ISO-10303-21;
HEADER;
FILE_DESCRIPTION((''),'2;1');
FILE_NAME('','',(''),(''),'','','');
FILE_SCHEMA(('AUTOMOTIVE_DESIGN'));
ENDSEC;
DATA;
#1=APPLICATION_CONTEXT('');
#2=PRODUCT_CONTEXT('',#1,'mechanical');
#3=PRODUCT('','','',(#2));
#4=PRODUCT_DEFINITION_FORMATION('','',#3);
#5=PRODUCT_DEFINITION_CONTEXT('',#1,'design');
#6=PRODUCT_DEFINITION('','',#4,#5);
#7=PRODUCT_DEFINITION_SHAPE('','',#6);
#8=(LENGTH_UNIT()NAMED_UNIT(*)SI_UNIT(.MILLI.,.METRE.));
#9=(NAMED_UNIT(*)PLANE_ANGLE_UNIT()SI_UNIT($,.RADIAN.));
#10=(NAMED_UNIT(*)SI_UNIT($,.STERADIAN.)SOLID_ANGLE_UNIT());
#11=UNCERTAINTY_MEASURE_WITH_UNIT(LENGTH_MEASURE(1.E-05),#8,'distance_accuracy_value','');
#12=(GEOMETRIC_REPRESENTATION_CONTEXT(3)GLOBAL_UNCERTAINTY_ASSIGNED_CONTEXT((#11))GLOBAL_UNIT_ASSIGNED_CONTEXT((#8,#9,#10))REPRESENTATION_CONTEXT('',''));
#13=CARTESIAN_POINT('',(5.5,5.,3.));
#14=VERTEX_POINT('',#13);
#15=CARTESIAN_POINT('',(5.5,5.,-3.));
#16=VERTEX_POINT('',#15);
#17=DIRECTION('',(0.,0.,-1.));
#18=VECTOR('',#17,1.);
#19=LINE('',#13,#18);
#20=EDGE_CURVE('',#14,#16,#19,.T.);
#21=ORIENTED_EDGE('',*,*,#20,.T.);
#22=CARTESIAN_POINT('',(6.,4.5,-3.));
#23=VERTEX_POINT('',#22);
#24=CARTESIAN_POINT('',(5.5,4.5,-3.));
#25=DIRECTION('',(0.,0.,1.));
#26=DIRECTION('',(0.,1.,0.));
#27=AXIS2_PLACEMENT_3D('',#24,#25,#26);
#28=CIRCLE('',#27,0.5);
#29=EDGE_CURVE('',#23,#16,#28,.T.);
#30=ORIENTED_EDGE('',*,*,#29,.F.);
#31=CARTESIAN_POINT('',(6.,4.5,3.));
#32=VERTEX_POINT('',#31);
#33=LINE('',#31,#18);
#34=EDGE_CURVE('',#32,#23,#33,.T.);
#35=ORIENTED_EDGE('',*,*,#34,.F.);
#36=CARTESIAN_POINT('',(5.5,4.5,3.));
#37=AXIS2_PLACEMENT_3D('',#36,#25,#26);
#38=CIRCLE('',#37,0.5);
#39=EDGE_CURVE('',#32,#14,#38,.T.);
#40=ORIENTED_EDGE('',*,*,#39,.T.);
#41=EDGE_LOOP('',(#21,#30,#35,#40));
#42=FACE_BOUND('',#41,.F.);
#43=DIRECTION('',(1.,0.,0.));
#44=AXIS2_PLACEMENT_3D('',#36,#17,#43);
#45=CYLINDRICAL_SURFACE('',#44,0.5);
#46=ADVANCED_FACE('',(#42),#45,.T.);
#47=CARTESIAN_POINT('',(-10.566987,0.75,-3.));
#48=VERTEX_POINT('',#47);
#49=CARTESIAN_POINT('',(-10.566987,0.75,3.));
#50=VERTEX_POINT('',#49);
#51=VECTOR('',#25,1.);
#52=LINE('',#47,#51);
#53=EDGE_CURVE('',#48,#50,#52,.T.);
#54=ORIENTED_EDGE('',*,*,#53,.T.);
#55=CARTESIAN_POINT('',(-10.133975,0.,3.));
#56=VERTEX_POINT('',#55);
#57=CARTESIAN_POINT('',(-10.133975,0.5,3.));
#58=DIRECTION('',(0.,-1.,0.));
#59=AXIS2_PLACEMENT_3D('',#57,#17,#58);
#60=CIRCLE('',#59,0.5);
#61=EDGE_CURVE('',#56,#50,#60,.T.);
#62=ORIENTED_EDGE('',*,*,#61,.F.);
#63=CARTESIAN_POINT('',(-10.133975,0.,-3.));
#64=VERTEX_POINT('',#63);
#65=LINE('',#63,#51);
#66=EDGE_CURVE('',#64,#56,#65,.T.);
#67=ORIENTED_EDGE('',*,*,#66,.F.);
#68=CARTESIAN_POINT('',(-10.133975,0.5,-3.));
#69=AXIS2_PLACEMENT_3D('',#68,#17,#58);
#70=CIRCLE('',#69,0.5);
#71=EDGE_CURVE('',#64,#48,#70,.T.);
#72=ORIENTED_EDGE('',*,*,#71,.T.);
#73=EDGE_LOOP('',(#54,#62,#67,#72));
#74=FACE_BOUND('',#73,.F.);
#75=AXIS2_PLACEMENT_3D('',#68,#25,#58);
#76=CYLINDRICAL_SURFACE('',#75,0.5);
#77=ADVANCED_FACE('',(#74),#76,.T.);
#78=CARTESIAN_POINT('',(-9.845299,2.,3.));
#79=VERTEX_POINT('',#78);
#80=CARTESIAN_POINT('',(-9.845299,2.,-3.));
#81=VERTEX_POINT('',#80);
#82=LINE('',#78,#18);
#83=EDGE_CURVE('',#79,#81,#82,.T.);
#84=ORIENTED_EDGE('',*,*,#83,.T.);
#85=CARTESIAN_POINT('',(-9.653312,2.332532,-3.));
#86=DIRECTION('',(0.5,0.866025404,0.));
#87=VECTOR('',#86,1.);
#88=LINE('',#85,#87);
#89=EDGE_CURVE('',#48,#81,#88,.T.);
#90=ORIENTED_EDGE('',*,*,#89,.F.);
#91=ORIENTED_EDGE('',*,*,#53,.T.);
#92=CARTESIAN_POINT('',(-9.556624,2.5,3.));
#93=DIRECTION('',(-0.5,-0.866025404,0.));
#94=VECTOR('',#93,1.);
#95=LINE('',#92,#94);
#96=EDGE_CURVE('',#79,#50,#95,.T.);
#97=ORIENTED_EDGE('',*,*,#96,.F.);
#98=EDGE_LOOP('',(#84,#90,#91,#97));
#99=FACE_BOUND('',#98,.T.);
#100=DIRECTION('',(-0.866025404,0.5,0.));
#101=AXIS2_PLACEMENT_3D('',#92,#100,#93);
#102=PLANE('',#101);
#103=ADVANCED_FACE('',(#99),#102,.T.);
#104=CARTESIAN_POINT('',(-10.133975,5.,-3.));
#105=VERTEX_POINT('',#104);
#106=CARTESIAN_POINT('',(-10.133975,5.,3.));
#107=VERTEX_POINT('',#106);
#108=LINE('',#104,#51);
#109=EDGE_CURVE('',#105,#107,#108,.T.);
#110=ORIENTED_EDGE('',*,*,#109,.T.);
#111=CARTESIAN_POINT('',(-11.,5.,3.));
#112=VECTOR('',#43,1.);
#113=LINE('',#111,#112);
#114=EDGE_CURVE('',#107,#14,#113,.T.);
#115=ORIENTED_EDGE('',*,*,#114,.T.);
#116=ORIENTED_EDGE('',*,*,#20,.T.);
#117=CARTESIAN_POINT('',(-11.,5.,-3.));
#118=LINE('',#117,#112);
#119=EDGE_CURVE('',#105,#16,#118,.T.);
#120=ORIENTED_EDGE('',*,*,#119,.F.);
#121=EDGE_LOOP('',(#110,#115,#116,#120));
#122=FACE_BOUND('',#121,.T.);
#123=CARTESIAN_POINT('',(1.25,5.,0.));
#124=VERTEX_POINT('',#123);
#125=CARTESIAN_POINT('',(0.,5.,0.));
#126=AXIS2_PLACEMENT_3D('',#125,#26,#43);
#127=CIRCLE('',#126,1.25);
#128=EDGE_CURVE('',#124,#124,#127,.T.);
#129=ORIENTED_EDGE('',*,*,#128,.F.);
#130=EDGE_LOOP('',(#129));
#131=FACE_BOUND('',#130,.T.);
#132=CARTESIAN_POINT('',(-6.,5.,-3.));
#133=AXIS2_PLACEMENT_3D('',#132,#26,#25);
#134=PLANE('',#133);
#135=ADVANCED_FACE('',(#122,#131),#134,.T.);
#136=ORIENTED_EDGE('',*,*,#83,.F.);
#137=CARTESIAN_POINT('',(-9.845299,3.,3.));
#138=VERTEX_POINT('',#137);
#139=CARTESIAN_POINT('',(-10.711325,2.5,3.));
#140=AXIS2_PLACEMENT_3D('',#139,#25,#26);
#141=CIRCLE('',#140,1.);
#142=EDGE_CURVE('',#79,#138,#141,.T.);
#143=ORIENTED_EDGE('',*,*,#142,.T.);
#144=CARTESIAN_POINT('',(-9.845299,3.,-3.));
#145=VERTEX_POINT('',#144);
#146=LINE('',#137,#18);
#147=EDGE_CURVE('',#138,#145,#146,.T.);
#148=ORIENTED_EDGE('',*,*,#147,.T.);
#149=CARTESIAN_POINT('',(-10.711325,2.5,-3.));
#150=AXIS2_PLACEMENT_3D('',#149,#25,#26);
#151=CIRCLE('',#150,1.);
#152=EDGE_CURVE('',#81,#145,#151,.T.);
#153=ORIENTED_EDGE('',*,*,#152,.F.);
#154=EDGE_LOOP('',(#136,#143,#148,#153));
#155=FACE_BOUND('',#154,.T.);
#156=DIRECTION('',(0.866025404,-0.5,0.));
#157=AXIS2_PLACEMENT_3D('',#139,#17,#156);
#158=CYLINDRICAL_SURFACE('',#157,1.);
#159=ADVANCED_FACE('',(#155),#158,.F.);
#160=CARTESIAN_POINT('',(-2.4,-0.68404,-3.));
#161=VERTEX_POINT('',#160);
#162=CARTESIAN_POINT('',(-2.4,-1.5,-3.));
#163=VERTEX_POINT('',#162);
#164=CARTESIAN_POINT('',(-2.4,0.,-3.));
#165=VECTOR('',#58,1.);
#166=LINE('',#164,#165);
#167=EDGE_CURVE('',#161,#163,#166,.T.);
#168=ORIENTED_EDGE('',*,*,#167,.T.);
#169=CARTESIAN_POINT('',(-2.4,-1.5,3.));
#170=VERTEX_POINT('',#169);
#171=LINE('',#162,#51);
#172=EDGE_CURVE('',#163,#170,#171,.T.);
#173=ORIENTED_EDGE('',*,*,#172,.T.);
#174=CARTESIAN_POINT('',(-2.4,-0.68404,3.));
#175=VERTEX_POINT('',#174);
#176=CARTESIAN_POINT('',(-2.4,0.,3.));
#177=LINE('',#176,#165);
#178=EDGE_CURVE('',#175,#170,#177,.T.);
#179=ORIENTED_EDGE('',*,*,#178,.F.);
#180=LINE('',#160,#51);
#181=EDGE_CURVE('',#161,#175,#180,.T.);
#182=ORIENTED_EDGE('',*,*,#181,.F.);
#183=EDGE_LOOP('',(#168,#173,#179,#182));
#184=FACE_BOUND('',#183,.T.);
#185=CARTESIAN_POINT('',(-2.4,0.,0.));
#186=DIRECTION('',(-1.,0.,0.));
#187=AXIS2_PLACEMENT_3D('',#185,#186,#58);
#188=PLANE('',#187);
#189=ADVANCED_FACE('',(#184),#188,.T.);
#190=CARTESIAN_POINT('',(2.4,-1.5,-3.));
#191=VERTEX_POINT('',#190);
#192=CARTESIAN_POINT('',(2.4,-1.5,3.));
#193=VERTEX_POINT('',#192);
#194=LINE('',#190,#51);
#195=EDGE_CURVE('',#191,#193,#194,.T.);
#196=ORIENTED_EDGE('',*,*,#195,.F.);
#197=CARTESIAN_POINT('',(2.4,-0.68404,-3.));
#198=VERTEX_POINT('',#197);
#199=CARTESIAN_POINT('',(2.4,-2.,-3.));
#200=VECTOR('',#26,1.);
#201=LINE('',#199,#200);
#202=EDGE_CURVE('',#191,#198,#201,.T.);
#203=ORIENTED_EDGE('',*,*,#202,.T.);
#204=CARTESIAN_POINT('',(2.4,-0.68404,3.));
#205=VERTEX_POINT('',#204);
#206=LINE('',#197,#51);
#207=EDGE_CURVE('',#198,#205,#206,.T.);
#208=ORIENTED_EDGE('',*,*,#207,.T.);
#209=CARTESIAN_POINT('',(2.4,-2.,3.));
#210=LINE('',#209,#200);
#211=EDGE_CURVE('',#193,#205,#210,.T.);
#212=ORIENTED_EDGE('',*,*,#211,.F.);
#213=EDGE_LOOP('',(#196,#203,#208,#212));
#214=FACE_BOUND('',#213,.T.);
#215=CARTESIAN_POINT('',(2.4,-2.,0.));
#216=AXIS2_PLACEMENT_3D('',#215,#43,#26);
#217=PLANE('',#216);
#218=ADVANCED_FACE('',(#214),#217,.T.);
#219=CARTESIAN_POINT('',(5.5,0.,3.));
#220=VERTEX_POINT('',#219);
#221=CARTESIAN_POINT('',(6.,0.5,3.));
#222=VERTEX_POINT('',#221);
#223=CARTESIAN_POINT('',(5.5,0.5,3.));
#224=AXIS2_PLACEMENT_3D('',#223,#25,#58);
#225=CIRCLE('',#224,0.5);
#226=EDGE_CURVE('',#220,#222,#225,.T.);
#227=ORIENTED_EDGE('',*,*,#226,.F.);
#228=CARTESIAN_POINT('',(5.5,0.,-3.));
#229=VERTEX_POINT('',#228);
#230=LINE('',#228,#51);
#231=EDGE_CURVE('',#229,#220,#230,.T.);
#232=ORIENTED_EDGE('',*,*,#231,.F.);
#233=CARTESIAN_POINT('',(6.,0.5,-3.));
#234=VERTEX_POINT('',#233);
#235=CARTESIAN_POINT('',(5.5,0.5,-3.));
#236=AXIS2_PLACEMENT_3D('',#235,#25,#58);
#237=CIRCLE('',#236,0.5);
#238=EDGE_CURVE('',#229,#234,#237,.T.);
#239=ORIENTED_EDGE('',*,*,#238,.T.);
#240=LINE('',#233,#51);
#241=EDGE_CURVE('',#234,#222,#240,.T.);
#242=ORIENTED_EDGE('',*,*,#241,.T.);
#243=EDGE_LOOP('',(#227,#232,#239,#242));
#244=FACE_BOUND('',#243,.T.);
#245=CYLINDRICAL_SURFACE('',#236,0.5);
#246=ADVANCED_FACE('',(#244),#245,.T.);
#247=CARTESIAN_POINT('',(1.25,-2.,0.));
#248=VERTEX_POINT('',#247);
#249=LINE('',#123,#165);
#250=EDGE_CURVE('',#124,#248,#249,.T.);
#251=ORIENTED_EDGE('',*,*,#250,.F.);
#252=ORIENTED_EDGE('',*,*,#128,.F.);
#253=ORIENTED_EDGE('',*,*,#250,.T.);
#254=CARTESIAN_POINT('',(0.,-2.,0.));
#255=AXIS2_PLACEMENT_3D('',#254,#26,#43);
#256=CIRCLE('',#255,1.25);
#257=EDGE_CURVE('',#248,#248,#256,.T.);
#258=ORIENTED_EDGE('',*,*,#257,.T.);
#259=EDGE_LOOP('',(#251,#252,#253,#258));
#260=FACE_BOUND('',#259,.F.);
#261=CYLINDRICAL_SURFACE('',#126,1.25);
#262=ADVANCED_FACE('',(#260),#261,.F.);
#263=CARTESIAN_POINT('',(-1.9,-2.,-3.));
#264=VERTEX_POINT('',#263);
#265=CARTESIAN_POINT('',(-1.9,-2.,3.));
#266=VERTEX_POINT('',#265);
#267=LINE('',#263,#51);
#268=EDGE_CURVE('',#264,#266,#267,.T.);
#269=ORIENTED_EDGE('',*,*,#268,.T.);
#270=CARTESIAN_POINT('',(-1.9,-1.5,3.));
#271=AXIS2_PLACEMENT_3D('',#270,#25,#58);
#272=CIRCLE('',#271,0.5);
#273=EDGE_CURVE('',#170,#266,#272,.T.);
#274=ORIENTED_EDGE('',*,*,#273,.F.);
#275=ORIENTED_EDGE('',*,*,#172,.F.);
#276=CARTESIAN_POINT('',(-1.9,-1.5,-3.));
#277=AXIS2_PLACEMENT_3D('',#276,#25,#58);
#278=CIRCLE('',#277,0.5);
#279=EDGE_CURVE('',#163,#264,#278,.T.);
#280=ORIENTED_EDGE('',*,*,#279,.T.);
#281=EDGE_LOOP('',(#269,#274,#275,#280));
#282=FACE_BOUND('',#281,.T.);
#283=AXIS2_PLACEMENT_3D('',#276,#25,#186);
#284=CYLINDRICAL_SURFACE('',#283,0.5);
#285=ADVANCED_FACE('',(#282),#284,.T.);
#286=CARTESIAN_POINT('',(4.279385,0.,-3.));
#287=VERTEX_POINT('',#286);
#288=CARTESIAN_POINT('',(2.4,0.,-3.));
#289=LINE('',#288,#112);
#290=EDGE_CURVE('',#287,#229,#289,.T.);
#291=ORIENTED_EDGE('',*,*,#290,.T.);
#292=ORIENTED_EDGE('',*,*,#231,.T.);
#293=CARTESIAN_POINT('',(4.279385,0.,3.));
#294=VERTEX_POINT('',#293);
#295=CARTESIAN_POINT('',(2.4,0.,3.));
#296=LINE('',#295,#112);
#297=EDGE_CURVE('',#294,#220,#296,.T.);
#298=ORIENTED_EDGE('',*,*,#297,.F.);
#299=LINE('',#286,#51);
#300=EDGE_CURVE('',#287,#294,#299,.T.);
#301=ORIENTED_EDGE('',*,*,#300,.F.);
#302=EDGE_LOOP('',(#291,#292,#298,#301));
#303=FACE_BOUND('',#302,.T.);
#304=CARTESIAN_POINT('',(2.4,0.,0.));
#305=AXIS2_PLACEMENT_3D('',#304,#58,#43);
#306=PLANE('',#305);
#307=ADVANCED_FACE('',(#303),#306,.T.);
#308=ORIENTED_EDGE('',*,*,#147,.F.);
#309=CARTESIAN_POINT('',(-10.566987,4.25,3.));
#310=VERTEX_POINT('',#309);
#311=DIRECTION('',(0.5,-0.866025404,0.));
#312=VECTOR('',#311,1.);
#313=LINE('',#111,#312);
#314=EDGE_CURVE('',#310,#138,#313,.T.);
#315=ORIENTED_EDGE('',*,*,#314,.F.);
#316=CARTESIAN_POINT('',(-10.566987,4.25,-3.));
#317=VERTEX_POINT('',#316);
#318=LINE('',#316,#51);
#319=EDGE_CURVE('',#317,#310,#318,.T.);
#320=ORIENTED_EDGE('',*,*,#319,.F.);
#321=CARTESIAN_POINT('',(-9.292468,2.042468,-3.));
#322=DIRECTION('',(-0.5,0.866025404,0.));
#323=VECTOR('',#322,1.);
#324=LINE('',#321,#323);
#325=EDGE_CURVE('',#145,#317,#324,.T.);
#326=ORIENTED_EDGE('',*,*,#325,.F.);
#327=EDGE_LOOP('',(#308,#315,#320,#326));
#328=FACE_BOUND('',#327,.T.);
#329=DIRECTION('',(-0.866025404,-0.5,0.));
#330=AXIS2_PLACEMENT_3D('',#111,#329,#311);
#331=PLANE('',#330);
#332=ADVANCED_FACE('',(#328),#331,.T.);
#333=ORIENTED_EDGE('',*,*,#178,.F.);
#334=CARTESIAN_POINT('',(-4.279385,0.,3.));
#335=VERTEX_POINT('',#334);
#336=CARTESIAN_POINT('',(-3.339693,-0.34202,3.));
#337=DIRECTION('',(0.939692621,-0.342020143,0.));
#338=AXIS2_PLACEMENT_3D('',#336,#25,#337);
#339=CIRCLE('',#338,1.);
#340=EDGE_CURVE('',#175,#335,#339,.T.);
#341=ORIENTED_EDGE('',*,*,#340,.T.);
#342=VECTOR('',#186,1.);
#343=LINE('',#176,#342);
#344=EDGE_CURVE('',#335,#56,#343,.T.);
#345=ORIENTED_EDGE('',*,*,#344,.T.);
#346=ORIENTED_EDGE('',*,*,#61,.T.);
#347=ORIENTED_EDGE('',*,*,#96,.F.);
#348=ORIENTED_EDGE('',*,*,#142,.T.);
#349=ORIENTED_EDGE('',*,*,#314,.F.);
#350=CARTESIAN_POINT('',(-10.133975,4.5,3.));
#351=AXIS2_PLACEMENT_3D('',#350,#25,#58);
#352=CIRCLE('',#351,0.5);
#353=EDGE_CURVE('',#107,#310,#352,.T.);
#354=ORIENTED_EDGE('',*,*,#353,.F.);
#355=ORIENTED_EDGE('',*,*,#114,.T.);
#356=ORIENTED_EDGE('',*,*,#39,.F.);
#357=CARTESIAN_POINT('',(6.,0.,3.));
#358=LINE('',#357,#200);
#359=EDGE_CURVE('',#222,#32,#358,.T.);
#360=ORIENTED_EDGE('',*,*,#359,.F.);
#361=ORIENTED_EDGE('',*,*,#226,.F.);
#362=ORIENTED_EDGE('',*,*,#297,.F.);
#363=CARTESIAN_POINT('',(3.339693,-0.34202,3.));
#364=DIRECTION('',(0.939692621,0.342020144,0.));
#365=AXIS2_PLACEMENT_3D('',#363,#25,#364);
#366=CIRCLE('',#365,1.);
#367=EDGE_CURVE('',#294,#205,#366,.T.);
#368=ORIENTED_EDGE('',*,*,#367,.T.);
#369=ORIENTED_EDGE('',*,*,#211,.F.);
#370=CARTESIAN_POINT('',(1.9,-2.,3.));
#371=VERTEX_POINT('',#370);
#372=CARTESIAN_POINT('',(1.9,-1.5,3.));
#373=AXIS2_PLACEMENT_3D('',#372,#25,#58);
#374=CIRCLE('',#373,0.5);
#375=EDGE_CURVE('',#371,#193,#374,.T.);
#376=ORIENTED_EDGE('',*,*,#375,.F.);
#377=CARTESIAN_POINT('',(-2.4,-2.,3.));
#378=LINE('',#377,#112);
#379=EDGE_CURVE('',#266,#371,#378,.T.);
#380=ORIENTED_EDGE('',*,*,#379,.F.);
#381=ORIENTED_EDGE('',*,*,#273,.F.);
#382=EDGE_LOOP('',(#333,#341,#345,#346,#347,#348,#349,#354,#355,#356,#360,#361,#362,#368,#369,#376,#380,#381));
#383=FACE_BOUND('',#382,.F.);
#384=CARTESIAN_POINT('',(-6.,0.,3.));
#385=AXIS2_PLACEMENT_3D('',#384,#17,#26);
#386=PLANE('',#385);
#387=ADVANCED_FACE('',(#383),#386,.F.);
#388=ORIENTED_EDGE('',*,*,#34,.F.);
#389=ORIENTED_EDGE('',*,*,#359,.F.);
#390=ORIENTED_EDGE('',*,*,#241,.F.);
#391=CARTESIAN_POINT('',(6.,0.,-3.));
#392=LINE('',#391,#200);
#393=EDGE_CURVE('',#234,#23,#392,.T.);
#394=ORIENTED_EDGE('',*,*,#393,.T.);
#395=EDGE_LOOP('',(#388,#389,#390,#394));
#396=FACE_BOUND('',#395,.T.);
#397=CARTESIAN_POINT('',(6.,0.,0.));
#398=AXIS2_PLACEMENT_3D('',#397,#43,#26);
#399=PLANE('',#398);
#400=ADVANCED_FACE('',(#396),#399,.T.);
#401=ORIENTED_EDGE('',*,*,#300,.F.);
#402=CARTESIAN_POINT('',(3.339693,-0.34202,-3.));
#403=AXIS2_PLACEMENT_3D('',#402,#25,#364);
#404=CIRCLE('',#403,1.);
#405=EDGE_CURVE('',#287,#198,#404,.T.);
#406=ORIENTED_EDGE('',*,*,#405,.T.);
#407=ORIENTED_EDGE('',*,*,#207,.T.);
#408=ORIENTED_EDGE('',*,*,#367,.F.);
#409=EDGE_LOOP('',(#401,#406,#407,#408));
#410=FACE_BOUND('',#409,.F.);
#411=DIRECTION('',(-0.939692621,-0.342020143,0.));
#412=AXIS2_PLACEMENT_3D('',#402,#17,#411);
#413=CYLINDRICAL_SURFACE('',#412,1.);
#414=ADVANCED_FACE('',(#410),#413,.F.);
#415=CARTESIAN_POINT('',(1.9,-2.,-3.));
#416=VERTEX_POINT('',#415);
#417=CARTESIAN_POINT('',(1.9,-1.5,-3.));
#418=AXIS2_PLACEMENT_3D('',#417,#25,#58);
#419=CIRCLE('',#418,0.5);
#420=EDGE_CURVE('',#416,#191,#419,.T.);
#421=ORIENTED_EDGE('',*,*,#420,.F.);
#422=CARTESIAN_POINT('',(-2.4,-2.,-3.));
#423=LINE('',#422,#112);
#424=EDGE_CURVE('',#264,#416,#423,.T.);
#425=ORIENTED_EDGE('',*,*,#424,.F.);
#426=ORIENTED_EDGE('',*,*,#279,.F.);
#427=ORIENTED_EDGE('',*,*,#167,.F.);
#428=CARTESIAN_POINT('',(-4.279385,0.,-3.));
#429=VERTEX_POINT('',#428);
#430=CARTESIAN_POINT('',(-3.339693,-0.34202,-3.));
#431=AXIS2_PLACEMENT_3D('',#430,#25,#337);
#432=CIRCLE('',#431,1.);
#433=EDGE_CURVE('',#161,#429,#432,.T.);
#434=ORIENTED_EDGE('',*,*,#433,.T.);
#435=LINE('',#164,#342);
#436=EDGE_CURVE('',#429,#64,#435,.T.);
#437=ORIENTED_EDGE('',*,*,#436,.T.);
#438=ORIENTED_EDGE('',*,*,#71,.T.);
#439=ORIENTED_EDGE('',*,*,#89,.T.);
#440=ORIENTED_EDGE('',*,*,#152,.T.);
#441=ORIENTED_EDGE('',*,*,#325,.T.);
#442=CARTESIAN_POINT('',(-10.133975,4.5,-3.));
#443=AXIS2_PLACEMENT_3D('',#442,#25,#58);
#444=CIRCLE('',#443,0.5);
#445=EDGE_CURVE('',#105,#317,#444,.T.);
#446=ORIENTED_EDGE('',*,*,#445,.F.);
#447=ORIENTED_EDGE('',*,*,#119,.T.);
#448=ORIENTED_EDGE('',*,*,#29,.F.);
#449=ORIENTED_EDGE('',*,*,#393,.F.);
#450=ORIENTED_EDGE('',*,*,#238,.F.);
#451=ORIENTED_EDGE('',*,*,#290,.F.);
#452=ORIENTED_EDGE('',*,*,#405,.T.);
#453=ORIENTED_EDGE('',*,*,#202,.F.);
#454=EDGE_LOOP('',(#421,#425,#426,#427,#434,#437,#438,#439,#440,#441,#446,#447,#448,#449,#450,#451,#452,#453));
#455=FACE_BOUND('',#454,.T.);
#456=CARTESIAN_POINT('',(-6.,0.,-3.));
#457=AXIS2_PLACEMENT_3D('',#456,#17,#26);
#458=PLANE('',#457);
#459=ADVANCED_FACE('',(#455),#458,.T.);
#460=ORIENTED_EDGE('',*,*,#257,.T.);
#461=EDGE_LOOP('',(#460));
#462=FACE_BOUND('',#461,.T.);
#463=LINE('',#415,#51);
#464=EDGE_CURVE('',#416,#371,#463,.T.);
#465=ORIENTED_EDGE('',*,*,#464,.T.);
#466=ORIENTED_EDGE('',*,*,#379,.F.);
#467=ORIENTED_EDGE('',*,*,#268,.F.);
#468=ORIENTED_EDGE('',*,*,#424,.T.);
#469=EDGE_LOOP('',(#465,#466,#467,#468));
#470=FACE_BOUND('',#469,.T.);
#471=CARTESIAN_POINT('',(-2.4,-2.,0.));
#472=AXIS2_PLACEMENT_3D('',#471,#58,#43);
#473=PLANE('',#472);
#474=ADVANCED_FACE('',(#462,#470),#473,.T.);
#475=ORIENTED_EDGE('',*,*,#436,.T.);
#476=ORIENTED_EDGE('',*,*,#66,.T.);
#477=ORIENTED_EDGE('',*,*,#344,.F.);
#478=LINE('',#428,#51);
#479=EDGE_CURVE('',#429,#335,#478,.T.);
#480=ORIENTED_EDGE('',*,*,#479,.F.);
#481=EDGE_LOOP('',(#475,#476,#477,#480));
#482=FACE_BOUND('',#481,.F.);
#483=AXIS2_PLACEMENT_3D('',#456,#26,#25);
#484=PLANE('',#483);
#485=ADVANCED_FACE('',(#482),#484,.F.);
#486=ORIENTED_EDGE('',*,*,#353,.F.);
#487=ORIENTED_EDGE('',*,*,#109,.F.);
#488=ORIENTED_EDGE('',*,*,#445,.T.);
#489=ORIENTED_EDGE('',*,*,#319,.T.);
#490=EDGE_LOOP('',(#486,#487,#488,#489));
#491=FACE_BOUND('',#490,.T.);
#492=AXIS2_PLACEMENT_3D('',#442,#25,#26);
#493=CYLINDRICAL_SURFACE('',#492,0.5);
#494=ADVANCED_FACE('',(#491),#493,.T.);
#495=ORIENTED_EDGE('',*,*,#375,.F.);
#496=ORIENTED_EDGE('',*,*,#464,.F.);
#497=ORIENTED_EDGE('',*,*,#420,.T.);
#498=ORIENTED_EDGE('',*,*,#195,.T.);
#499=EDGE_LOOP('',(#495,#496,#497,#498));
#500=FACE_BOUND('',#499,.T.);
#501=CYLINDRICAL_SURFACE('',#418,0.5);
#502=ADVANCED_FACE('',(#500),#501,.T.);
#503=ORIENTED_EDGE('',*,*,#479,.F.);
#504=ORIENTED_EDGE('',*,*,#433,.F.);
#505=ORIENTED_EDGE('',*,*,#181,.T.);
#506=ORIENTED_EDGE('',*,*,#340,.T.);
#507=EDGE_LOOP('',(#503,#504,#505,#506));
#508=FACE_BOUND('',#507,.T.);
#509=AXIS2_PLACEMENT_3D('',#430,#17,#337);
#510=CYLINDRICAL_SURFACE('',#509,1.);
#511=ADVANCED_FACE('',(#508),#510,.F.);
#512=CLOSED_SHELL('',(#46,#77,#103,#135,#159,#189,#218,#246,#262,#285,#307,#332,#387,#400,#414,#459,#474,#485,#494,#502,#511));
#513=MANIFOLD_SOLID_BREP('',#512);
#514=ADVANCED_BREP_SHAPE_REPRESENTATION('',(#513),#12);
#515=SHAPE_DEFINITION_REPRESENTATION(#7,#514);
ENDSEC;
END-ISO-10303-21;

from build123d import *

# Parameters (mm, degrees)
BOSS_EXTRU_1_DEPTH      = 3
ESQUISSE2_R             = 1.25
ENL_V_MAT_EXTRU_1_DEPTH = 8
ESQUISSE3_W             = 6
ESQUISSE3_H             = 5
BOSS_EXTRU_2_DEPTH      = 5
ENL_V_MAT_EXTRU_3_DEPTH = 7
CONG_4_R                = 0.5
CONG_5_R                = 1
ENL_V_MAT_EXTRU_5_DEPTH = 7


with BuildPart() as part:
    # Esquisse1 → Boss.-Extru.1 (new body, symmetric)
    with BuildSketch(Plane.XY):
        Polygon((-6, 0), (-2.4, 0), (-2.4, -2), (2.4, -2), (2.4, 0), (6, 0), (6, 5), (-6, 5), align=None)
    extrude(amount=BOSS_EXTRU_1_DEPTH, both=True)

    # Esquisse2 → Enlèv. mat.-Extru.1 (cut, through all)
    with BuildSketch(Plane(origin=(0, 5, 0), x_dir=(1, 0, 0), z_dir=(0, 1, 0))):
        Circle(ESQUISSE2_R)
    extrude(amount=-ENL_V_MAT_EXTRU_1_DEPTH, mode=Mode.SUBTRACT)

    # Esquisse3 → Boss.-Extru.2 (add)
    with BuildSketch(Plane.ZY.offset(6)):
        with Locations((0, 2.5)):
            Rectangle(ESQUISSE3_W, ESQUISSE3_H)
    extrude(amount=BOSS_EXTRU_2_DEPTH)

    # Esquisse7 → Enlèv. mat.-Extru.3 (cut, through all)
    with BuildSketch(Plane.XY.offset(3)):
        Polygon((-11, 5), (-9.556624327, 2.5), (-11, 0), align=None)
    extrude(amount=-ENL_V_MAT_EXTRU_3_DEPTH, mode=Mode.SUBTRACT)

    # Congé4
    cong_4_edges = [part.edges().sort_by_distance(p)[0] for p in [
        (6, 0, 0),
        (2.4, -2, 0),
        (-2.4, -2, 0),
        (6, 5, 0),
        (-11, 0, 0),
        (-11, 5, 0),
    ]]
    fillet(cong_4_edges, radius=CONG_4_R)

    # Congé5
    cong_5_edges = [part.edges().sort_by_distance(p)[0] for p in [
        (-9.556624327, 2.5, 0),
    ]]
    fillet(cong_5_edges, radius=CONG_5_R)

    # Esquisse12 → Enlèv. mat.-Extru.5 (cut, through all)
    with BuildSketch(Plane(origin=(0, 0, -3), x_dir=(-1, 0, 0), z_dir=(0, 0, -1))):
        with BuildLine():
            Line((-4.279385242, 0), (-2.4, -0.684040287))
            ThreePointArc((-2.4, -0.684040287), (-2.997672477, 0.597672477), (-4.279385242, 0))
        make_face()
        with BuildLine():
            Line((4.279385242, 0), (2.4, -0.684040287))
            ThreePointArc((2.4, -0.684040287), (2.997672477, 0.597672477), (4.279385242, 0))
        make_face()
    extrude(amount=-ENL_V_MAT_EXTRU_5_DEPTH, mode=Mode.SUBTRACT)


solid = part.part
